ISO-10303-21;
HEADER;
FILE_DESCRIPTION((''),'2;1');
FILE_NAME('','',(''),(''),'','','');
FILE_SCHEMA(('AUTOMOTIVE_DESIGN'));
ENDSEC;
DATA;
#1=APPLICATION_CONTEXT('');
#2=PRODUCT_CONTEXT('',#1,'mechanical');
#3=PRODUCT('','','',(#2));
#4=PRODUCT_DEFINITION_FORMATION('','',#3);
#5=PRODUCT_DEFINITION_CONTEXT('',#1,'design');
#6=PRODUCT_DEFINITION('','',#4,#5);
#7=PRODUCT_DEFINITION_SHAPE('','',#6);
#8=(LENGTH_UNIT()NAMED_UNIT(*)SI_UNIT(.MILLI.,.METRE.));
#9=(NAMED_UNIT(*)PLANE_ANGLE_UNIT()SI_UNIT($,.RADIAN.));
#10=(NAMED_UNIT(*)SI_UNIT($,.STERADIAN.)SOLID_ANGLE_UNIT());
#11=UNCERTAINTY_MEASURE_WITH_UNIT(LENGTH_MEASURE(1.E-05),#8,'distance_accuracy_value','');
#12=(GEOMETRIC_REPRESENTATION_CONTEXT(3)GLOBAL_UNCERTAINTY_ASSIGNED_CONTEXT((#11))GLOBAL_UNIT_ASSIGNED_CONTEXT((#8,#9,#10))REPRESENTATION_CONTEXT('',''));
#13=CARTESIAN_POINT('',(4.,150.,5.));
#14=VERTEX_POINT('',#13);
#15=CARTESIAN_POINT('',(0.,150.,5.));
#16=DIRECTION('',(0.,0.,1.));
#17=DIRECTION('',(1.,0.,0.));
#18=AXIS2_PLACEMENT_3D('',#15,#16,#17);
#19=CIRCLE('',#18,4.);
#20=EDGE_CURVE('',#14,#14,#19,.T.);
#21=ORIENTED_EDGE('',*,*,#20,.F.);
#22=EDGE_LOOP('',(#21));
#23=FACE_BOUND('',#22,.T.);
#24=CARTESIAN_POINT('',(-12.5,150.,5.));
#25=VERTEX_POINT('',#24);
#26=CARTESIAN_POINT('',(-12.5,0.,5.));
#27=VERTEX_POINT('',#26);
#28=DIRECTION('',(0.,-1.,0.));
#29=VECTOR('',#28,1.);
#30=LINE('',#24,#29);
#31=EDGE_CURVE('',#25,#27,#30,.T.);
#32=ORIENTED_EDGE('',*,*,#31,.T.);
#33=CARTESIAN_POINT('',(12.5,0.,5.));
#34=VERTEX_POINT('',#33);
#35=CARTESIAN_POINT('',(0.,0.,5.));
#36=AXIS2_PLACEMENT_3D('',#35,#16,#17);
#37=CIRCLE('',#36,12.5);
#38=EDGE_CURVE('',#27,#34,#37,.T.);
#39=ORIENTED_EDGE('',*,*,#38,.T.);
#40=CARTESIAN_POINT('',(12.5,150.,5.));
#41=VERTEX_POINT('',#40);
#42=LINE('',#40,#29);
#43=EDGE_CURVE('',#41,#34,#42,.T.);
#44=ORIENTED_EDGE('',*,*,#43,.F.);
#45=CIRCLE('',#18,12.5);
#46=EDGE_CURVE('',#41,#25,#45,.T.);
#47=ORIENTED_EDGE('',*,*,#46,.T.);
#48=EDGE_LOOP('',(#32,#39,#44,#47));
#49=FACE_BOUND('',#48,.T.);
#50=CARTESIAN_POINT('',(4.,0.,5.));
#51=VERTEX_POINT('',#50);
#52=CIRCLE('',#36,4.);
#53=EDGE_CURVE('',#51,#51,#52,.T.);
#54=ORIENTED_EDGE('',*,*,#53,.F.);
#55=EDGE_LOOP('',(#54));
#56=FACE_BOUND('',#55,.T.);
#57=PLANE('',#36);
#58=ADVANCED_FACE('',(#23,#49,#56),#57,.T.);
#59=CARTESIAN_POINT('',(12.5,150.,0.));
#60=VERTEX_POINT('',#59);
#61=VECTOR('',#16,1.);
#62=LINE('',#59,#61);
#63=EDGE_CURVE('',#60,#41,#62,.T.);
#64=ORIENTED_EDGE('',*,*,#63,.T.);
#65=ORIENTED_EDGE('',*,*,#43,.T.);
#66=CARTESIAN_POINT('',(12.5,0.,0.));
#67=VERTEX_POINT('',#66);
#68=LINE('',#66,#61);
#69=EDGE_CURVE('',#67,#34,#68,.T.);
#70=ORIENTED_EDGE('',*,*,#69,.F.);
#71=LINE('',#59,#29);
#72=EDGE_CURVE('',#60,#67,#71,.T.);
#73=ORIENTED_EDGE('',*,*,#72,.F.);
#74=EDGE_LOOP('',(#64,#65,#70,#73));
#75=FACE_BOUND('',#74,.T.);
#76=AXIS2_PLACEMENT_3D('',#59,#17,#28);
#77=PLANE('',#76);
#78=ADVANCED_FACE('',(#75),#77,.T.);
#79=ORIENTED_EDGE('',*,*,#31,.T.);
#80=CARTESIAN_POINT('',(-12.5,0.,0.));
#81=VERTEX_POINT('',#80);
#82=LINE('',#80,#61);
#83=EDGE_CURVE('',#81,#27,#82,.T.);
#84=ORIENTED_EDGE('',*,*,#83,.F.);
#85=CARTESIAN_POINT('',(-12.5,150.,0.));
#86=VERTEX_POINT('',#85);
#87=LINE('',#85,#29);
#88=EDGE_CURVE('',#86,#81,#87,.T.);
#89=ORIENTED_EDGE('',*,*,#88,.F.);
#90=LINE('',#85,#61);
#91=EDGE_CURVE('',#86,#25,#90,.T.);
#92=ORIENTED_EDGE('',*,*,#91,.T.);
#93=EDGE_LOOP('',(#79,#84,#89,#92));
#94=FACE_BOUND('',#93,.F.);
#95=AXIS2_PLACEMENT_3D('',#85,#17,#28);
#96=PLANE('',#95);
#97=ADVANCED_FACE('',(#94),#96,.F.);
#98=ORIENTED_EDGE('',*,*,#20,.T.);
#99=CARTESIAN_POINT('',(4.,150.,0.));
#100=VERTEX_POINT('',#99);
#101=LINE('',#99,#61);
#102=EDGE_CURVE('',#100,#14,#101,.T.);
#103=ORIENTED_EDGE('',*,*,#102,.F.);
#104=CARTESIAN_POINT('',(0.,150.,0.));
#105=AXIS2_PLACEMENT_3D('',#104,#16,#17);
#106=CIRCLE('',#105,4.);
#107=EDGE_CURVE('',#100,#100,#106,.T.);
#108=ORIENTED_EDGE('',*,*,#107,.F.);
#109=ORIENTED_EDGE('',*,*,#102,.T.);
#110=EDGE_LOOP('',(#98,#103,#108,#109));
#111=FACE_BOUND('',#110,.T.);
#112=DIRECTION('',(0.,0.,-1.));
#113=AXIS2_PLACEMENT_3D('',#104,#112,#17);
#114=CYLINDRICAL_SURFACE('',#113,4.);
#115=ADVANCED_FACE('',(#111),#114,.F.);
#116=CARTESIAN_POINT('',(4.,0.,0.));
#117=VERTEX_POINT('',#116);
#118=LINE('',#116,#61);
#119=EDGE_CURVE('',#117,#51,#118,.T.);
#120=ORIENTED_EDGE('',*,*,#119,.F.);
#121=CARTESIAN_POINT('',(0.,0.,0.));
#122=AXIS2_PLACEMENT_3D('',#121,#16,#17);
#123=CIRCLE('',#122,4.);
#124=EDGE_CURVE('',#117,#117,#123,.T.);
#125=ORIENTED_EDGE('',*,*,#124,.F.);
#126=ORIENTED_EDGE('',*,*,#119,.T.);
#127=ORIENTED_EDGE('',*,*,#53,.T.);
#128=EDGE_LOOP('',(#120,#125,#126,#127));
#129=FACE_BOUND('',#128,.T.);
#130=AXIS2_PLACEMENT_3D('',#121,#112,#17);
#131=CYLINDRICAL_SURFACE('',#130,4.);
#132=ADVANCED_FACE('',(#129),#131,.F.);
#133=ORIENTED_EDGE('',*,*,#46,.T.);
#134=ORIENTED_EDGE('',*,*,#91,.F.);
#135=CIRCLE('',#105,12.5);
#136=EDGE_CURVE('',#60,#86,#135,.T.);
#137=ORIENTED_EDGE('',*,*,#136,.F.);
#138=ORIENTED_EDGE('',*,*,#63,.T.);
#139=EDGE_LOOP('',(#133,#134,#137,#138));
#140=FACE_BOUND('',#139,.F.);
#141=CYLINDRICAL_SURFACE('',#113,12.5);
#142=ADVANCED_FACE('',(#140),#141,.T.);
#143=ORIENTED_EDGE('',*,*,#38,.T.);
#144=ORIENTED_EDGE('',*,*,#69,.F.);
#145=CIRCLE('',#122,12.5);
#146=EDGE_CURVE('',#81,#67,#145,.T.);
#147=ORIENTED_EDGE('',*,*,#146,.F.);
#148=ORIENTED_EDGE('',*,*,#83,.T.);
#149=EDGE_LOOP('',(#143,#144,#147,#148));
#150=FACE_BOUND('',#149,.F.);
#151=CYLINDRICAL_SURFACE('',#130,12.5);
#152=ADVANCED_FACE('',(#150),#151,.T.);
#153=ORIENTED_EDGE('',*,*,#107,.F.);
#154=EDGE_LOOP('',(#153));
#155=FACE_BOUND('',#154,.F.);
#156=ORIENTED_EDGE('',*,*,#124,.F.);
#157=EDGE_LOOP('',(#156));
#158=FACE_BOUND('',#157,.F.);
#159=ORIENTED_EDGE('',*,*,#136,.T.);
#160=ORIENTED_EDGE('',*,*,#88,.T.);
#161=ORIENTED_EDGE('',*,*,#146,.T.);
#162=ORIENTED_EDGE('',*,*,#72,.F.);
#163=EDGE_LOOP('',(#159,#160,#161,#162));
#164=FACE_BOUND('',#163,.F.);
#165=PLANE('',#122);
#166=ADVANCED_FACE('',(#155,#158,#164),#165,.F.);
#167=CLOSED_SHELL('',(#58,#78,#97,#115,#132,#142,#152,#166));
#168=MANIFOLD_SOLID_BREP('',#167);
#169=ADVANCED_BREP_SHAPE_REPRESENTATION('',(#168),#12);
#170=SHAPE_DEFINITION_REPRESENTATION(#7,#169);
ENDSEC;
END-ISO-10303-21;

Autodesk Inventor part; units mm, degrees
ref_plane "YZ Plane" through (0, 0, 0) normal (1, 0, 0) x (0, 1, 0)
ref_plane "XZ Plane" through (0, 0, 0) normal (0, 1, 0) x (-1, 0, 0)
ref_plane "XY Plane" through (0, 0, 0) normal (0, 0, 1) x (1, 0, 0)
sketch "Sketch1" plane through (0, 0, 0) normal (0, 0, 1) x (1, 0, 0)
  circle A0 centre (0, 0) radius 4
  circle A1 centre (0, 0) radius 12.5
  circle A2 centre (0, 150) radius 4
  circle A3 centre (0, 150) radius 12.5
  line L0 (-12.5, 150) -> (-12.5, 0)
  line L1 (12.5, 150) -> (12.5, 0)
  dimension "d0" = 8
  dimension "d1" = 25
  dimension "d2" = 8
  dimension "d3" = 25
  dimension "d4" = 150
  dimension "d5" = 0
extrude "Extrusion1" add sketch "Sketch1" along normal blind 5
equation "\"d2\" = d0"
equation "\"d3\" = d1"
properties part number "cięgno silnika platformy"
